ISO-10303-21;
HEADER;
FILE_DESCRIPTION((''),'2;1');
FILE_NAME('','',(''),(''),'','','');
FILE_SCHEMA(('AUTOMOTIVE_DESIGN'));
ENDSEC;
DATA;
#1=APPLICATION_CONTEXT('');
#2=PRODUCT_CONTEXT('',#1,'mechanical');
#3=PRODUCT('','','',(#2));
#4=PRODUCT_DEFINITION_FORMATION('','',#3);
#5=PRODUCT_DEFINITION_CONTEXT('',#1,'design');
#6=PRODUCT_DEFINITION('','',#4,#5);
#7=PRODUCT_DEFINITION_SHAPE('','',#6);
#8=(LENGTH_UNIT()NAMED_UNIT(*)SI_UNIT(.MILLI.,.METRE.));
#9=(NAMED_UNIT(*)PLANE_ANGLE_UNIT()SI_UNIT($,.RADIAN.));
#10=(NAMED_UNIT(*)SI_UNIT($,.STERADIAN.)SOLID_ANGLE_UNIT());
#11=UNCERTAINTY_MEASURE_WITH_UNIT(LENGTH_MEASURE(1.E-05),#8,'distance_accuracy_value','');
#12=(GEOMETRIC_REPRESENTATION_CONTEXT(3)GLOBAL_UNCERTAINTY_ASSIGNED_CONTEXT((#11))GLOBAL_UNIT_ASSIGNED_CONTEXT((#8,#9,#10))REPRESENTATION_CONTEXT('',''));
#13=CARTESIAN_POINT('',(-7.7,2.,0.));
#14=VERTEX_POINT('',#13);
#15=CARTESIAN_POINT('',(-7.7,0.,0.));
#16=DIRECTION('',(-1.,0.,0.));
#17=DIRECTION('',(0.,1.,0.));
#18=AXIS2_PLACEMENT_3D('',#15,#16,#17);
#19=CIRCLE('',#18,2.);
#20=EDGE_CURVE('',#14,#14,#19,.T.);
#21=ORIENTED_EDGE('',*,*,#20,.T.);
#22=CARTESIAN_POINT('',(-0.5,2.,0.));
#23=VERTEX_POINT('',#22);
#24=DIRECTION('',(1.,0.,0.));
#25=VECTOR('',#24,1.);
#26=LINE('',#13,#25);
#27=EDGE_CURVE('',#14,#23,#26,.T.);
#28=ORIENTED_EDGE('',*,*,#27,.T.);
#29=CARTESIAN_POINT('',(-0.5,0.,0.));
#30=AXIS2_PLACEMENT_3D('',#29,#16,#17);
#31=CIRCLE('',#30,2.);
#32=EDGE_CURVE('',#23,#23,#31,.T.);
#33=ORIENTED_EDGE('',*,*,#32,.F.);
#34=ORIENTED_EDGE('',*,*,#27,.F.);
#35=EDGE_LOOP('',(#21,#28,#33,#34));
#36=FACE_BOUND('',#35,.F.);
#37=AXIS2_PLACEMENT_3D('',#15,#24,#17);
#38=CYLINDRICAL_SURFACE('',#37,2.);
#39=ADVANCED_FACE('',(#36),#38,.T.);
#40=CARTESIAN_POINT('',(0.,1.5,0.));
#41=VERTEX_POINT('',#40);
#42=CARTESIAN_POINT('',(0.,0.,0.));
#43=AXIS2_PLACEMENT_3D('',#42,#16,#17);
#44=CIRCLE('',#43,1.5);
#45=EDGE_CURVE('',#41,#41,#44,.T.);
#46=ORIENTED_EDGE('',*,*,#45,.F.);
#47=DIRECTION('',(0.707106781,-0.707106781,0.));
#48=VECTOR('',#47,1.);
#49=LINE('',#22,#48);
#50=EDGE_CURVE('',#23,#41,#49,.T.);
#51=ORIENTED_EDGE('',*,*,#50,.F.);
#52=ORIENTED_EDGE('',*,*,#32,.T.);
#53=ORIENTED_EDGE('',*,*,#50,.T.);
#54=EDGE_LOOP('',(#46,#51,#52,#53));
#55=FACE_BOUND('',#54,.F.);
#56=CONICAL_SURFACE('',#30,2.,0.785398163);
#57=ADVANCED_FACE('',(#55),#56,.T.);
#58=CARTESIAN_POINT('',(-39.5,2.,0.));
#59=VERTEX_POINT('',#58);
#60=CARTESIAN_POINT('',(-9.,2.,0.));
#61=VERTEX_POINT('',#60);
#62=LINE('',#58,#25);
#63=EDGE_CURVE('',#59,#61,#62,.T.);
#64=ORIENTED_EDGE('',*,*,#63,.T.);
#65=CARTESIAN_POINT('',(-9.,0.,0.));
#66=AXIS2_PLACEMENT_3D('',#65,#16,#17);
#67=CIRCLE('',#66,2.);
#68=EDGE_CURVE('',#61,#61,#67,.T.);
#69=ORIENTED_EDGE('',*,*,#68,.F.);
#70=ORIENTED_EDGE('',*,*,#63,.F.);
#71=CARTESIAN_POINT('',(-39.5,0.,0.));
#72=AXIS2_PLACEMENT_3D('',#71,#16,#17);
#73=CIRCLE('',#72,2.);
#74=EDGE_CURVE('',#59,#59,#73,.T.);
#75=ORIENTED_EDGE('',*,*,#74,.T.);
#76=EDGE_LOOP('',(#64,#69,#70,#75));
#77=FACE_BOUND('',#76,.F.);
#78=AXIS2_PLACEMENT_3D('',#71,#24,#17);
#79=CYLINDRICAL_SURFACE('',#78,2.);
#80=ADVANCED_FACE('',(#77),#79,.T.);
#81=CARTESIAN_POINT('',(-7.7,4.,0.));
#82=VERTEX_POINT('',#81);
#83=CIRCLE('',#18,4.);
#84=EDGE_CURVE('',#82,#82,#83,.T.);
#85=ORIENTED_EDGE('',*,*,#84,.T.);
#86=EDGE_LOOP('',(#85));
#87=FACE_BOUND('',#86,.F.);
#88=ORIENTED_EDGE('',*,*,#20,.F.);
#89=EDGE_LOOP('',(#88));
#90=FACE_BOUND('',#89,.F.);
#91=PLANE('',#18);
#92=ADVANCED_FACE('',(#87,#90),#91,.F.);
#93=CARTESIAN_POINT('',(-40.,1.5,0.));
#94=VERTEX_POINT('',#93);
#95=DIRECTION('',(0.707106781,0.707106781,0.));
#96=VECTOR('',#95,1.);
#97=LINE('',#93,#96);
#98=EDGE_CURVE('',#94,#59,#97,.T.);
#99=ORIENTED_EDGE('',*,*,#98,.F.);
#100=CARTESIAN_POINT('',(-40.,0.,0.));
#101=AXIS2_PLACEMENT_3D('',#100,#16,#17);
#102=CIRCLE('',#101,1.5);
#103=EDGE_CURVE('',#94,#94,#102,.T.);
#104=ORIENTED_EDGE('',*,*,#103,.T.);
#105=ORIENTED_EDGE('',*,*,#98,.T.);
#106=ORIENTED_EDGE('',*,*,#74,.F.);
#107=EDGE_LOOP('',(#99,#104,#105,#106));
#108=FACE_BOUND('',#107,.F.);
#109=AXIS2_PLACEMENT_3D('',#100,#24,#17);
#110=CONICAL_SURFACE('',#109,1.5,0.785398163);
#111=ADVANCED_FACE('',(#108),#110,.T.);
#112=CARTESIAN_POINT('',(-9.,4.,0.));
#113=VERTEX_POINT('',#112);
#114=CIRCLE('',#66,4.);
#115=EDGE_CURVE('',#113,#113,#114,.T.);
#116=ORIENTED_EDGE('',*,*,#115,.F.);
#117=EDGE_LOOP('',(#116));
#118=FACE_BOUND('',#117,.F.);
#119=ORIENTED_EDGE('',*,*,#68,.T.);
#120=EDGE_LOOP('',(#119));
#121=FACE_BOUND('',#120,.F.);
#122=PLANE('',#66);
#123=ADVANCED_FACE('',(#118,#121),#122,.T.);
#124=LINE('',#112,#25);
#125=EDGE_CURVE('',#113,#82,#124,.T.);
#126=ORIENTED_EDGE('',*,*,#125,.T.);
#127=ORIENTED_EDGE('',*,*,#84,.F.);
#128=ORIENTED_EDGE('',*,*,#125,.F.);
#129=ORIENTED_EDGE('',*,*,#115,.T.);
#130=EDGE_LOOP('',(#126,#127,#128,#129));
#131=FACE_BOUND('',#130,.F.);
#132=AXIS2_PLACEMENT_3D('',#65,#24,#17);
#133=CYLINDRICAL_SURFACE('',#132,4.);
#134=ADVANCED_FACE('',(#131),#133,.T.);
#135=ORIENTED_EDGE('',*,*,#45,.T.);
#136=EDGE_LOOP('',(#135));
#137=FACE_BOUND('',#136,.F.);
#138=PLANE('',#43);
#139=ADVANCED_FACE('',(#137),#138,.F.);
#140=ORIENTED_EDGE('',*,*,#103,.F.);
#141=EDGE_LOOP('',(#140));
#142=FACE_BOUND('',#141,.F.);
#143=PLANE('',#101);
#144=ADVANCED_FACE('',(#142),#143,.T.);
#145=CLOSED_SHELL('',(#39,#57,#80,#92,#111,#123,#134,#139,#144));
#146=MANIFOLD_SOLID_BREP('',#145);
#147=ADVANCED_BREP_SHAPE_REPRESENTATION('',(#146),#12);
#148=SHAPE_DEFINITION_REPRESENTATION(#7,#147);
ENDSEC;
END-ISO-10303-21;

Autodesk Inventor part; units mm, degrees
ref_plane "YZ Plane" through (0, 0, 0) normal (1, 0, 0) x (0, 1, 0)
ref_plane "XZ Plane" through (0, 0, 0) normal (0, 1, 0) x (-1, 0, 0)
ref_plane "XY Plane" through (0, 0, 0) normal (0, 0, 1) x (1, 0, 0)
sketch "Sketch1" plane through (0, 0, 0) normal (0, 0, 1) x (1, 0, 0)
  line L0 (0, 0) -> (-40, 0)
  line L1 (-40, 0) -> (-40, 1.5)
  line L2 (-40, 1.5) -> (-39.5, 2)
  line L3 (-39.5, 2) -> (-9, 2)
  line L4 (-9, 2) -> (-9, 4)
  line L5 (-9, 4) -> (-7.7, 4)
  line L6 (-7.7, 4) -> (-7.7, 2)
  line L7 (-7.7, 2) -> (-0.5, 2)
  line L8 (-0.5, 2) -> (0, 1.5)
  line L9 (0, 1.5) -> (0, 0)
  dimension "d0" = 4
  dimension "d1" = 8
  dimension "d2" = 40
  dimension "d3" = 0.5
  dimension "d4" = 45
  dimension "d5" = 45
  dimension "d6" = 0.5
  dimension "d7" = 1.3
  dimension "d8" = 7.7
revolve "Revolution1" add sketch "Sketch1" angle 360 about axis through (0, 0, 0) along (-1, 0, 0)
properties part number "18102021-002-05" material "Stainless Steel"
